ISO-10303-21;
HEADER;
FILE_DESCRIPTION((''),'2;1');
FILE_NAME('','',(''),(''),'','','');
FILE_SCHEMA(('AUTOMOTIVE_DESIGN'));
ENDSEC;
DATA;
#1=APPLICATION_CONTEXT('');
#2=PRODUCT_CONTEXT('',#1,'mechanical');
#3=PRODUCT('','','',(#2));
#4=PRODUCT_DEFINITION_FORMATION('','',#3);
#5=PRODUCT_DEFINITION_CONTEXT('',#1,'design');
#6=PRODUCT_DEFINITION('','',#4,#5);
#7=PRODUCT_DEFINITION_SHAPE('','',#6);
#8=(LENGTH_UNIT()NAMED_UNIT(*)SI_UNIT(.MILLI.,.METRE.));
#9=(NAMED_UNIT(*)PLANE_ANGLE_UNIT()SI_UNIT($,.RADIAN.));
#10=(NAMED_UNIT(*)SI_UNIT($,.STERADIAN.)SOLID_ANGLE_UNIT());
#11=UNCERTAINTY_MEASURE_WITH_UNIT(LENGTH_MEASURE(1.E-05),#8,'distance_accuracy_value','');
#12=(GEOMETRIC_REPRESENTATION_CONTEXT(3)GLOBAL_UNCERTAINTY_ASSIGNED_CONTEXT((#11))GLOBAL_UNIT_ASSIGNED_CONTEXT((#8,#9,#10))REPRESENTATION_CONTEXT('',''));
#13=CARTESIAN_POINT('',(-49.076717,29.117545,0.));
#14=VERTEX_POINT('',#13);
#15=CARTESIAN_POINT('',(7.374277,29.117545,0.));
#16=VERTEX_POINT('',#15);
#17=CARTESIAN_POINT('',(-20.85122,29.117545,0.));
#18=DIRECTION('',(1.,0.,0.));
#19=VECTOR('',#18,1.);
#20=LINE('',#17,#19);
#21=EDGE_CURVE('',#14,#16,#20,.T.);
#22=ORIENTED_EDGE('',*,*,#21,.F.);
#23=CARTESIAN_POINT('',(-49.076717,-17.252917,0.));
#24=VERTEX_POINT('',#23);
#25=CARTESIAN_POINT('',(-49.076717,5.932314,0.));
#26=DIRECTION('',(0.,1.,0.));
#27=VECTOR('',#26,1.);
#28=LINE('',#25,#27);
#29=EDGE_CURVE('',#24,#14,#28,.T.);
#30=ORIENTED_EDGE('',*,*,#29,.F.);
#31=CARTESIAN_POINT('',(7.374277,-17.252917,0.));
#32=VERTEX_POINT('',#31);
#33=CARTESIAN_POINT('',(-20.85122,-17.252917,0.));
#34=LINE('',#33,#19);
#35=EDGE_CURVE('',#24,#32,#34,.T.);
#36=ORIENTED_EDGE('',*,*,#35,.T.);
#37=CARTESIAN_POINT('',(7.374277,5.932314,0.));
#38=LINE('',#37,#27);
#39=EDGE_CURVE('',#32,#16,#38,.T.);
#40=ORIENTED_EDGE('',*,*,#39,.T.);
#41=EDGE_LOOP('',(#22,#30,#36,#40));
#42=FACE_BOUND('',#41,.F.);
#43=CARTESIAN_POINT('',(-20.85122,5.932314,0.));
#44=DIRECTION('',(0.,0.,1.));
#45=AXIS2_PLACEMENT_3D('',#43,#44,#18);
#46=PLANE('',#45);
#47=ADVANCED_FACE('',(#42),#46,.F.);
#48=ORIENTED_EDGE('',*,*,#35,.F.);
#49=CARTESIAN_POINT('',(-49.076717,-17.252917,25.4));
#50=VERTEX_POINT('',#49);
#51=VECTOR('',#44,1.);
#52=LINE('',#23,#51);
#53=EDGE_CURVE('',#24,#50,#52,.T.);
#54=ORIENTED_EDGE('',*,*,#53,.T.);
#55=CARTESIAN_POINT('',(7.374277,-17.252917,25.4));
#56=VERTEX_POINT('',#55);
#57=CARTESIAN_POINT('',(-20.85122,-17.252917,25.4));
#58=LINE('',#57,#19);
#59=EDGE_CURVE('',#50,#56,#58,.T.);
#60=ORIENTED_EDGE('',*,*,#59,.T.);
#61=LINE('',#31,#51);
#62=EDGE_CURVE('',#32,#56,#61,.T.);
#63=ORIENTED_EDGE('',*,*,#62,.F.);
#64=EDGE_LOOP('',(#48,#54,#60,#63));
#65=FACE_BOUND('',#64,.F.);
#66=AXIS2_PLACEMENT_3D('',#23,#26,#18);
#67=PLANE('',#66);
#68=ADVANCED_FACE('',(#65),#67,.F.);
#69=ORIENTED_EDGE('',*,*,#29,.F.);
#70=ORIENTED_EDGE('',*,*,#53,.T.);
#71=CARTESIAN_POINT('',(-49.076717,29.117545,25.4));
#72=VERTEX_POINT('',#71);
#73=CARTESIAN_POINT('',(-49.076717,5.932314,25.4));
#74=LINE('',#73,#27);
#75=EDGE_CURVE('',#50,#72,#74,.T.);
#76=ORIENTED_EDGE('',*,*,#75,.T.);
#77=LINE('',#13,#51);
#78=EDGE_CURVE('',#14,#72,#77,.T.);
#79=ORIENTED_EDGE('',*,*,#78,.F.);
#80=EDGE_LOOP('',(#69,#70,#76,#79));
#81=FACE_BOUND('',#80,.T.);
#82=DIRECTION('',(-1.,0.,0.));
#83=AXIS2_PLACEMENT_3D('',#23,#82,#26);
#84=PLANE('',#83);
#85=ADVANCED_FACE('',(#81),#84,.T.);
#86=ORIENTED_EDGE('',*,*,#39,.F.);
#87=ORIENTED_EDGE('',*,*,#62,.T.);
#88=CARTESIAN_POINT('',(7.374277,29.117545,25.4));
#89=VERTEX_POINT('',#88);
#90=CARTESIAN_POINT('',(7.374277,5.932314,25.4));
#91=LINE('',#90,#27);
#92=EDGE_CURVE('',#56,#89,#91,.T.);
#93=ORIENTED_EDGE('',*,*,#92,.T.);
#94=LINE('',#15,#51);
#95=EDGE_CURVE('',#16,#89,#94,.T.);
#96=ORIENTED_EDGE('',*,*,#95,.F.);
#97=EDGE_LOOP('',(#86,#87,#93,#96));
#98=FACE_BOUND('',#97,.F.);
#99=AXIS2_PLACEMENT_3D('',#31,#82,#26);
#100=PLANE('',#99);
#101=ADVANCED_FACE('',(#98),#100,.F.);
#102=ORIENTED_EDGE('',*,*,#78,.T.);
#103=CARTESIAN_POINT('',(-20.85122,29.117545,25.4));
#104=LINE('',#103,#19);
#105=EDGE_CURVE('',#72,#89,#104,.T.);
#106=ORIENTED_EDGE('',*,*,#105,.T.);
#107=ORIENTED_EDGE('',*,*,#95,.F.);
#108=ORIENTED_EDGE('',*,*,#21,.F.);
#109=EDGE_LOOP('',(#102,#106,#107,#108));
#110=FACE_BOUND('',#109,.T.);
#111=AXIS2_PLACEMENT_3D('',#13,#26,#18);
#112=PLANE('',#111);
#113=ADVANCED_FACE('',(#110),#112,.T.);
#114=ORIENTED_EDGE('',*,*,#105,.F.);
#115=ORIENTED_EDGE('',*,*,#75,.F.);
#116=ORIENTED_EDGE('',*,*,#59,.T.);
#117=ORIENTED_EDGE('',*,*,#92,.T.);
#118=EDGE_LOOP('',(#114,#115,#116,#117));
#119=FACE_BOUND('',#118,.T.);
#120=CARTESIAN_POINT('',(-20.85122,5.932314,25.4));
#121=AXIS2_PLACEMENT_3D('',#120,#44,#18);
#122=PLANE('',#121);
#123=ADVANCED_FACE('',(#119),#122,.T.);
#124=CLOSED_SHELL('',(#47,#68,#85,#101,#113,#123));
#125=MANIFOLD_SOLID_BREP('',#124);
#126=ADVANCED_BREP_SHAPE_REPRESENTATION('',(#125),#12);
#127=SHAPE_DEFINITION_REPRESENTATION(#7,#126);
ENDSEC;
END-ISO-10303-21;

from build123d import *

# Parameters (mm, degrees)
F0_W     = 56.450994
F0_H     = 46.370463
F1_DEPTH = 25.4
F2_R     = 10.418213
F3_DEPTH = 12.7


with BuildPart() as f1:
    # F0 (on Top) → F1 (new body)
    with BuildSketch(Plane.XY):
        with Locations((-20.85122, 5.932314)):
            Rectangle(F0_W, F0_H)
    extrude(amount=F1_DEPTH)


with BuildPart() as f3:
    # F2 (on face) → F3 (new body, symmetric)
    with BuildSketch(Plane.XY.offset(25.4)):
        with Locations((-23.669293, 5.861445)):
            Circle(F2_R)
    extrude(amount=F3_DEPTH, both=True)


solid = f1.part
